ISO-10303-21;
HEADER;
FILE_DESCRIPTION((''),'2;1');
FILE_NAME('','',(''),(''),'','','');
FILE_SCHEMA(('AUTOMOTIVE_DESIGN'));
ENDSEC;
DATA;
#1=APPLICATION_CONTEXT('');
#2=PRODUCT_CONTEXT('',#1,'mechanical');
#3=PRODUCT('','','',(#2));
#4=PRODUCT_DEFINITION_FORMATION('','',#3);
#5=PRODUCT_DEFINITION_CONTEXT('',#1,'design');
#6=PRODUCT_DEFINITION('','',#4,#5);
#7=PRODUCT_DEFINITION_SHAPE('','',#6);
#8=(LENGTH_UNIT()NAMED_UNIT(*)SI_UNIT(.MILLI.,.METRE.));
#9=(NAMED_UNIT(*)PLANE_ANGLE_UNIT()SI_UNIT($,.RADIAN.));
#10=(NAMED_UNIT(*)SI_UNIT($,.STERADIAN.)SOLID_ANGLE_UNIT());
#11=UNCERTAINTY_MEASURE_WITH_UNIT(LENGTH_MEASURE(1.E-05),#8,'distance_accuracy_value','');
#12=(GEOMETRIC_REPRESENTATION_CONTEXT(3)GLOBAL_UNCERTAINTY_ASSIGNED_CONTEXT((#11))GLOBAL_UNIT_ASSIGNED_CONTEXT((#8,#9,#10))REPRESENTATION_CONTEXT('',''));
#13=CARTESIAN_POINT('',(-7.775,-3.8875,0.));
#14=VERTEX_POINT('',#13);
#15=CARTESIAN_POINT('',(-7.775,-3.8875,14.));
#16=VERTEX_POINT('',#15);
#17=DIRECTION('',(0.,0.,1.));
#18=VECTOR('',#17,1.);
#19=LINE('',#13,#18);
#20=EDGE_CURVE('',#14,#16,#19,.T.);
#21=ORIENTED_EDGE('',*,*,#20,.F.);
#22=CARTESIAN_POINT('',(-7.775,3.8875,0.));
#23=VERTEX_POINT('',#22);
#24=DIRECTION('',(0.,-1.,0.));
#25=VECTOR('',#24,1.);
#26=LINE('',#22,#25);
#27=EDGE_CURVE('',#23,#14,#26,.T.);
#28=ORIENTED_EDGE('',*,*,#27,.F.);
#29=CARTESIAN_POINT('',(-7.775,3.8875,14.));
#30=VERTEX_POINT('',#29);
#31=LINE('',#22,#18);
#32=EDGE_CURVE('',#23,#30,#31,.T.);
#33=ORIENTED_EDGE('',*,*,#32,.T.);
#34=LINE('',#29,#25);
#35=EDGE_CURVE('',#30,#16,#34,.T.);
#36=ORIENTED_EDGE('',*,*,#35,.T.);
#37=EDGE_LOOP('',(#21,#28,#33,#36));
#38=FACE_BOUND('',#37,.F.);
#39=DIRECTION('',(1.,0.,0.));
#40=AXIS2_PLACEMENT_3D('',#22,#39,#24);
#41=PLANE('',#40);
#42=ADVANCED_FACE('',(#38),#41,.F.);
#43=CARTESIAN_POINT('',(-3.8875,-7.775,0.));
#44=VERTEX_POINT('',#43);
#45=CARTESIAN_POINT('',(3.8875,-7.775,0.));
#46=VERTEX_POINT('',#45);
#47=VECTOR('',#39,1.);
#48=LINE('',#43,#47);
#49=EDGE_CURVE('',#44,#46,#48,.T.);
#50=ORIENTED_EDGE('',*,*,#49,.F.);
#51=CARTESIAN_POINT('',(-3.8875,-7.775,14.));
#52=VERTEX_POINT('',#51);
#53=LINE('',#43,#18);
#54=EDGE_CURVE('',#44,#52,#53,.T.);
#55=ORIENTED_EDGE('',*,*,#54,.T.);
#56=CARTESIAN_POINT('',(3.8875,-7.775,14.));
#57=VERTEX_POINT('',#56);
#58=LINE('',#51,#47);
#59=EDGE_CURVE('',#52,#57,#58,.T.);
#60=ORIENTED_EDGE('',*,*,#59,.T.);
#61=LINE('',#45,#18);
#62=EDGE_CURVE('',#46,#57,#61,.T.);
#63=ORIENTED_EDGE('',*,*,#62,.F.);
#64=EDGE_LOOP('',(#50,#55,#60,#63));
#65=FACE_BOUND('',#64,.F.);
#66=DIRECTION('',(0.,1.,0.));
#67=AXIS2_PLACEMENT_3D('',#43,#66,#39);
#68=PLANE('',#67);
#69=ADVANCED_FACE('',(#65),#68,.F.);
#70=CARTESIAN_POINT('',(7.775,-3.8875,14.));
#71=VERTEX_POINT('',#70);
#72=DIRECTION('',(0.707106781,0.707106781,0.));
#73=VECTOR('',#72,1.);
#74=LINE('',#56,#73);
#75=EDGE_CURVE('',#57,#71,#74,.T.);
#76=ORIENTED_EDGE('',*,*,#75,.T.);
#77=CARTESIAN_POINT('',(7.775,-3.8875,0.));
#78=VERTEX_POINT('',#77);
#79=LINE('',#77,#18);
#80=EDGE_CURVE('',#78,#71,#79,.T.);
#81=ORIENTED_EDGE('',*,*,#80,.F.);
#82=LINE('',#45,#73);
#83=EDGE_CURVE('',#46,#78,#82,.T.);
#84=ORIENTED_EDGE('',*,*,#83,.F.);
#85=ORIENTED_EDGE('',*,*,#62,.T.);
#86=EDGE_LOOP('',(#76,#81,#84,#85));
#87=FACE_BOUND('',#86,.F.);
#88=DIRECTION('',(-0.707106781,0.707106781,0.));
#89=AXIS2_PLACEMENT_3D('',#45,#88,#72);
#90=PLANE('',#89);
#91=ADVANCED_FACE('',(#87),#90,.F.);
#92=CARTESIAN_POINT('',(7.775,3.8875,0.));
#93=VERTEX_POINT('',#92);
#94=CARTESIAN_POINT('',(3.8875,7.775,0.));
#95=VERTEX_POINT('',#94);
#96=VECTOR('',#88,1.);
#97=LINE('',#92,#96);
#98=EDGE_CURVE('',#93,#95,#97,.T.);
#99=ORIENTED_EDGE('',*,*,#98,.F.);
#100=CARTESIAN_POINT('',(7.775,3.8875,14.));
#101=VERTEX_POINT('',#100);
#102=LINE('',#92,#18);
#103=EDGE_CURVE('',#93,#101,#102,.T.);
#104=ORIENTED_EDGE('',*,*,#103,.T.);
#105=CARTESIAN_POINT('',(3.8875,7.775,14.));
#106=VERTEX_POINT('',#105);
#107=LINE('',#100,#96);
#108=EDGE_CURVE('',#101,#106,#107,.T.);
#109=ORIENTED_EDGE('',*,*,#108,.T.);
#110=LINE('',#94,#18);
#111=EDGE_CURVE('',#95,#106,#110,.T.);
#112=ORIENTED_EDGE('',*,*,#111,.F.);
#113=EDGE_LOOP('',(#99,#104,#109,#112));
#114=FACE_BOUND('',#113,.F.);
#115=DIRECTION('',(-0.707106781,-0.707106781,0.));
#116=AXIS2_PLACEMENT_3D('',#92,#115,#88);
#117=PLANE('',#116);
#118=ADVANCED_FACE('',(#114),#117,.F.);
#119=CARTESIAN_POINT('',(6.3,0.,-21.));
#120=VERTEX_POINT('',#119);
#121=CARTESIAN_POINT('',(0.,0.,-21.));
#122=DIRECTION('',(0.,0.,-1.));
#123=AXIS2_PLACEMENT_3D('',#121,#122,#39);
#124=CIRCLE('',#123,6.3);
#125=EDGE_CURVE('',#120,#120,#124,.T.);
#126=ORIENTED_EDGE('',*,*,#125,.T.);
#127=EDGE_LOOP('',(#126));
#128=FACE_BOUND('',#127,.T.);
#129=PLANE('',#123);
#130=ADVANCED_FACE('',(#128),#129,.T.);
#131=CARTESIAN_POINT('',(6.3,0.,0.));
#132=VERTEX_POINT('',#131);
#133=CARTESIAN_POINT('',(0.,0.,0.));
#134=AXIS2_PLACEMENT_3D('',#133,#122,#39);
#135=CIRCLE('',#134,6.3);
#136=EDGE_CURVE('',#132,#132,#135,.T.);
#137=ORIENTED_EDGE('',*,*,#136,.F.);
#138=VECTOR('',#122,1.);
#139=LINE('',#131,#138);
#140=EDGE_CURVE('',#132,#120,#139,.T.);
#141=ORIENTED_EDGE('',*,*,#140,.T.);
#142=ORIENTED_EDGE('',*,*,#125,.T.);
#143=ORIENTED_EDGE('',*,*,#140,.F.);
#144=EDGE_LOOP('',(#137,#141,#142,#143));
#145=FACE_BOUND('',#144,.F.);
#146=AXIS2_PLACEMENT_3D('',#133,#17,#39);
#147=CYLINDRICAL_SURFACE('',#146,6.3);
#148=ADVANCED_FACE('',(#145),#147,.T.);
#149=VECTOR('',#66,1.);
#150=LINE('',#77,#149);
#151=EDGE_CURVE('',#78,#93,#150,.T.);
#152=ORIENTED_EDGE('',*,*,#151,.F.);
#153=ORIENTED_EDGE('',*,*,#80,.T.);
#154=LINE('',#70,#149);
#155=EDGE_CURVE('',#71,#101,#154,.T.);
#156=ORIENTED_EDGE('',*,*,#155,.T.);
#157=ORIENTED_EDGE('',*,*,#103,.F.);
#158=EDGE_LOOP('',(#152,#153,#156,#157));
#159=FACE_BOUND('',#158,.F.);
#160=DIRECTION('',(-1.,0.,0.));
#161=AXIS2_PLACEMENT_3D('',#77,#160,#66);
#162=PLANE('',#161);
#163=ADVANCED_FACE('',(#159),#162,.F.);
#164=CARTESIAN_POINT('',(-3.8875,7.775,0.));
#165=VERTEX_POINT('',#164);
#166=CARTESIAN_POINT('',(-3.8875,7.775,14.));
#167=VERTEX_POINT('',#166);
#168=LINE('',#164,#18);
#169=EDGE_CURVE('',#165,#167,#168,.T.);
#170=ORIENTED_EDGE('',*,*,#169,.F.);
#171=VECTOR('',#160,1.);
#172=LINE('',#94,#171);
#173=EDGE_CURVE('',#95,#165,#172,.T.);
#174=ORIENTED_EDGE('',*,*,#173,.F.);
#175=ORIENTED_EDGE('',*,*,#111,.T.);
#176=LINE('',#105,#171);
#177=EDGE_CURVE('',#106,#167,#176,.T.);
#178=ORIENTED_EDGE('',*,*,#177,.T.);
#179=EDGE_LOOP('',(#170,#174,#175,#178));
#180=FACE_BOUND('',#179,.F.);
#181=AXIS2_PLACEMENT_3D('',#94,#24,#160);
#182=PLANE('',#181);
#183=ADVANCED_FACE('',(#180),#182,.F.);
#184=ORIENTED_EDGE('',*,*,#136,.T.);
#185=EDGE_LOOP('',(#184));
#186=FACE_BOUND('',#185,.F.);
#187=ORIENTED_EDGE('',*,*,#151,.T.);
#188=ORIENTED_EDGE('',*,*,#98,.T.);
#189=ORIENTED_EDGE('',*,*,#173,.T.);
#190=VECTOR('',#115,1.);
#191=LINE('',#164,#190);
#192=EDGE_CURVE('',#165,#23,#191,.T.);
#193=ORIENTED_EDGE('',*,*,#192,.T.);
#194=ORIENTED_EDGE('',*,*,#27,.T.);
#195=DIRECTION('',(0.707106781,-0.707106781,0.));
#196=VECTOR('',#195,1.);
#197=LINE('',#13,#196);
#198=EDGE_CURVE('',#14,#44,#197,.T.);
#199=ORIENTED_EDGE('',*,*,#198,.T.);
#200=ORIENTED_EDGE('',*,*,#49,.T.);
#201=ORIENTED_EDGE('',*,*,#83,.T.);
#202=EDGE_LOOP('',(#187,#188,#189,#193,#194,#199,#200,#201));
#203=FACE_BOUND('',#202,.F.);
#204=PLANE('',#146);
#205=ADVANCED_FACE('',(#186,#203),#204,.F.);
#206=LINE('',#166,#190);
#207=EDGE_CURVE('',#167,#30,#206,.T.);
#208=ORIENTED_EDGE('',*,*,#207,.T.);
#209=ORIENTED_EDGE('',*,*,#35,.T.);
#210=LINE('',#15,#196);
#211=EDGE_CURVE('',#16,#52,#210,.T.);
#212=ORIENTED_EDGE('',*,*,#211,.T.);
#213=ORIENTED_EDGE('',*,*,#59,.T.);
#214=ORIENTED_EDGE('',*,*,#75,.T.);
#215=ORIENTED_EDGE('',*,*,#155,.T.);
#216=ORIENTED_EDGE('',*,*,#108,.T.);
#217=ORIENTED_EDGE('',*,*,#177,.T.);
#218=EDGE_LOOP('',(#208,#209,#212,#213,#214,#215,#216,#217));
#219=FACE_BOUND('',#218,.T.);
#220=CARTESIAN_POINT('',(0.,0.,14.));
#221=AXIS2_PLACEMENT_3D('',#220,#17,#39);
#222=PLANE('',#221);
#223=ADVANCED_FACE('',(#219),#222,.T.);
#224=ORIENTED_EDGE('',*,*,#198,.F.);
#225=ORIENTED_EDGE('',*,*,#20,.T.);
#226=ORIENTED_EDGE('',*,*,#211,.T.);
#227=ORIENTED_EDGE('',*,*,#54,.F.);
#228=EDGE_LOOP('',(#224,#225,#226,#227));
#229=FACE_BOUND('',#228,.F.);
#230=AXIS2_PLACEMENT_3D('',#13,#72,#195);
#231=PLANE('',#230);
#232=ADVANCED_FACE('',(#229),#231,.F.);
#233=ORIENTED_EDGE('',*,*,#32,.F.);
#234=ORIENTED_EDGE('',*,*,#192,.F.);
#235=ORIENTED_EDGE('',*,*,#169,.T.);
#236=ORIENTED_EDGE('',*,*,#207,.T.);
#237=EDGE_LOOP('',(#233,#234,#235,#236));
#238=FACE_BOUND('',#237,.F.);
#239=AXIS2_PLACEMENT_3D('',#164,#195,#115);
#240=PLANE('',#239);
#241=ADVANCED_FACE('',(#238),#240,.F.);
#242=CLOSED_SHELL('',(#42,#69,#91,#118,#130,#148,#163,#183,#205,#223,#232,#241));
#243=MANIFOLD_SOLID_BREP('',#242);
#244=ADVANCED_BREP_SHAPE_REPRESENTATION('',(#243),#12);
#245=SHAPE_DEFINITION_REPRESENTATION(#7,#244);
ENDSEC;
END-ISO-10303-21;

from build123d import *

# Parameters (mm, degrees)
F1_DEPTH = 14
F2_R     = 6.3
F3_DEPTH = 21


with BuildPart() as f1:
    # F0 (on Top) → F1 (new body)
    with BuildSketch(Plane.XY):
        Polygon((-3.8875, -7.775), (0, -7.775), (3.8875, -7.775), (7.775, -3.8875), (7.775, 3.8875), (3.8875, 7.775), (-3.8875, 7.775), (-7.775, 3.8875), (-7.775, -3.8875), align=None)
    extrude(amount=F1_DEPTH)

    # F2 (on face) → F3 (join)
    with BuildSketch(Plane(origin=(0, 0, 0), x_dir=(1, 0, 0), z_dir=(0, 0, -1))):
        Circle(F2_R)
    extrude(amount=F3_DEPTH)


solid = f1.part
